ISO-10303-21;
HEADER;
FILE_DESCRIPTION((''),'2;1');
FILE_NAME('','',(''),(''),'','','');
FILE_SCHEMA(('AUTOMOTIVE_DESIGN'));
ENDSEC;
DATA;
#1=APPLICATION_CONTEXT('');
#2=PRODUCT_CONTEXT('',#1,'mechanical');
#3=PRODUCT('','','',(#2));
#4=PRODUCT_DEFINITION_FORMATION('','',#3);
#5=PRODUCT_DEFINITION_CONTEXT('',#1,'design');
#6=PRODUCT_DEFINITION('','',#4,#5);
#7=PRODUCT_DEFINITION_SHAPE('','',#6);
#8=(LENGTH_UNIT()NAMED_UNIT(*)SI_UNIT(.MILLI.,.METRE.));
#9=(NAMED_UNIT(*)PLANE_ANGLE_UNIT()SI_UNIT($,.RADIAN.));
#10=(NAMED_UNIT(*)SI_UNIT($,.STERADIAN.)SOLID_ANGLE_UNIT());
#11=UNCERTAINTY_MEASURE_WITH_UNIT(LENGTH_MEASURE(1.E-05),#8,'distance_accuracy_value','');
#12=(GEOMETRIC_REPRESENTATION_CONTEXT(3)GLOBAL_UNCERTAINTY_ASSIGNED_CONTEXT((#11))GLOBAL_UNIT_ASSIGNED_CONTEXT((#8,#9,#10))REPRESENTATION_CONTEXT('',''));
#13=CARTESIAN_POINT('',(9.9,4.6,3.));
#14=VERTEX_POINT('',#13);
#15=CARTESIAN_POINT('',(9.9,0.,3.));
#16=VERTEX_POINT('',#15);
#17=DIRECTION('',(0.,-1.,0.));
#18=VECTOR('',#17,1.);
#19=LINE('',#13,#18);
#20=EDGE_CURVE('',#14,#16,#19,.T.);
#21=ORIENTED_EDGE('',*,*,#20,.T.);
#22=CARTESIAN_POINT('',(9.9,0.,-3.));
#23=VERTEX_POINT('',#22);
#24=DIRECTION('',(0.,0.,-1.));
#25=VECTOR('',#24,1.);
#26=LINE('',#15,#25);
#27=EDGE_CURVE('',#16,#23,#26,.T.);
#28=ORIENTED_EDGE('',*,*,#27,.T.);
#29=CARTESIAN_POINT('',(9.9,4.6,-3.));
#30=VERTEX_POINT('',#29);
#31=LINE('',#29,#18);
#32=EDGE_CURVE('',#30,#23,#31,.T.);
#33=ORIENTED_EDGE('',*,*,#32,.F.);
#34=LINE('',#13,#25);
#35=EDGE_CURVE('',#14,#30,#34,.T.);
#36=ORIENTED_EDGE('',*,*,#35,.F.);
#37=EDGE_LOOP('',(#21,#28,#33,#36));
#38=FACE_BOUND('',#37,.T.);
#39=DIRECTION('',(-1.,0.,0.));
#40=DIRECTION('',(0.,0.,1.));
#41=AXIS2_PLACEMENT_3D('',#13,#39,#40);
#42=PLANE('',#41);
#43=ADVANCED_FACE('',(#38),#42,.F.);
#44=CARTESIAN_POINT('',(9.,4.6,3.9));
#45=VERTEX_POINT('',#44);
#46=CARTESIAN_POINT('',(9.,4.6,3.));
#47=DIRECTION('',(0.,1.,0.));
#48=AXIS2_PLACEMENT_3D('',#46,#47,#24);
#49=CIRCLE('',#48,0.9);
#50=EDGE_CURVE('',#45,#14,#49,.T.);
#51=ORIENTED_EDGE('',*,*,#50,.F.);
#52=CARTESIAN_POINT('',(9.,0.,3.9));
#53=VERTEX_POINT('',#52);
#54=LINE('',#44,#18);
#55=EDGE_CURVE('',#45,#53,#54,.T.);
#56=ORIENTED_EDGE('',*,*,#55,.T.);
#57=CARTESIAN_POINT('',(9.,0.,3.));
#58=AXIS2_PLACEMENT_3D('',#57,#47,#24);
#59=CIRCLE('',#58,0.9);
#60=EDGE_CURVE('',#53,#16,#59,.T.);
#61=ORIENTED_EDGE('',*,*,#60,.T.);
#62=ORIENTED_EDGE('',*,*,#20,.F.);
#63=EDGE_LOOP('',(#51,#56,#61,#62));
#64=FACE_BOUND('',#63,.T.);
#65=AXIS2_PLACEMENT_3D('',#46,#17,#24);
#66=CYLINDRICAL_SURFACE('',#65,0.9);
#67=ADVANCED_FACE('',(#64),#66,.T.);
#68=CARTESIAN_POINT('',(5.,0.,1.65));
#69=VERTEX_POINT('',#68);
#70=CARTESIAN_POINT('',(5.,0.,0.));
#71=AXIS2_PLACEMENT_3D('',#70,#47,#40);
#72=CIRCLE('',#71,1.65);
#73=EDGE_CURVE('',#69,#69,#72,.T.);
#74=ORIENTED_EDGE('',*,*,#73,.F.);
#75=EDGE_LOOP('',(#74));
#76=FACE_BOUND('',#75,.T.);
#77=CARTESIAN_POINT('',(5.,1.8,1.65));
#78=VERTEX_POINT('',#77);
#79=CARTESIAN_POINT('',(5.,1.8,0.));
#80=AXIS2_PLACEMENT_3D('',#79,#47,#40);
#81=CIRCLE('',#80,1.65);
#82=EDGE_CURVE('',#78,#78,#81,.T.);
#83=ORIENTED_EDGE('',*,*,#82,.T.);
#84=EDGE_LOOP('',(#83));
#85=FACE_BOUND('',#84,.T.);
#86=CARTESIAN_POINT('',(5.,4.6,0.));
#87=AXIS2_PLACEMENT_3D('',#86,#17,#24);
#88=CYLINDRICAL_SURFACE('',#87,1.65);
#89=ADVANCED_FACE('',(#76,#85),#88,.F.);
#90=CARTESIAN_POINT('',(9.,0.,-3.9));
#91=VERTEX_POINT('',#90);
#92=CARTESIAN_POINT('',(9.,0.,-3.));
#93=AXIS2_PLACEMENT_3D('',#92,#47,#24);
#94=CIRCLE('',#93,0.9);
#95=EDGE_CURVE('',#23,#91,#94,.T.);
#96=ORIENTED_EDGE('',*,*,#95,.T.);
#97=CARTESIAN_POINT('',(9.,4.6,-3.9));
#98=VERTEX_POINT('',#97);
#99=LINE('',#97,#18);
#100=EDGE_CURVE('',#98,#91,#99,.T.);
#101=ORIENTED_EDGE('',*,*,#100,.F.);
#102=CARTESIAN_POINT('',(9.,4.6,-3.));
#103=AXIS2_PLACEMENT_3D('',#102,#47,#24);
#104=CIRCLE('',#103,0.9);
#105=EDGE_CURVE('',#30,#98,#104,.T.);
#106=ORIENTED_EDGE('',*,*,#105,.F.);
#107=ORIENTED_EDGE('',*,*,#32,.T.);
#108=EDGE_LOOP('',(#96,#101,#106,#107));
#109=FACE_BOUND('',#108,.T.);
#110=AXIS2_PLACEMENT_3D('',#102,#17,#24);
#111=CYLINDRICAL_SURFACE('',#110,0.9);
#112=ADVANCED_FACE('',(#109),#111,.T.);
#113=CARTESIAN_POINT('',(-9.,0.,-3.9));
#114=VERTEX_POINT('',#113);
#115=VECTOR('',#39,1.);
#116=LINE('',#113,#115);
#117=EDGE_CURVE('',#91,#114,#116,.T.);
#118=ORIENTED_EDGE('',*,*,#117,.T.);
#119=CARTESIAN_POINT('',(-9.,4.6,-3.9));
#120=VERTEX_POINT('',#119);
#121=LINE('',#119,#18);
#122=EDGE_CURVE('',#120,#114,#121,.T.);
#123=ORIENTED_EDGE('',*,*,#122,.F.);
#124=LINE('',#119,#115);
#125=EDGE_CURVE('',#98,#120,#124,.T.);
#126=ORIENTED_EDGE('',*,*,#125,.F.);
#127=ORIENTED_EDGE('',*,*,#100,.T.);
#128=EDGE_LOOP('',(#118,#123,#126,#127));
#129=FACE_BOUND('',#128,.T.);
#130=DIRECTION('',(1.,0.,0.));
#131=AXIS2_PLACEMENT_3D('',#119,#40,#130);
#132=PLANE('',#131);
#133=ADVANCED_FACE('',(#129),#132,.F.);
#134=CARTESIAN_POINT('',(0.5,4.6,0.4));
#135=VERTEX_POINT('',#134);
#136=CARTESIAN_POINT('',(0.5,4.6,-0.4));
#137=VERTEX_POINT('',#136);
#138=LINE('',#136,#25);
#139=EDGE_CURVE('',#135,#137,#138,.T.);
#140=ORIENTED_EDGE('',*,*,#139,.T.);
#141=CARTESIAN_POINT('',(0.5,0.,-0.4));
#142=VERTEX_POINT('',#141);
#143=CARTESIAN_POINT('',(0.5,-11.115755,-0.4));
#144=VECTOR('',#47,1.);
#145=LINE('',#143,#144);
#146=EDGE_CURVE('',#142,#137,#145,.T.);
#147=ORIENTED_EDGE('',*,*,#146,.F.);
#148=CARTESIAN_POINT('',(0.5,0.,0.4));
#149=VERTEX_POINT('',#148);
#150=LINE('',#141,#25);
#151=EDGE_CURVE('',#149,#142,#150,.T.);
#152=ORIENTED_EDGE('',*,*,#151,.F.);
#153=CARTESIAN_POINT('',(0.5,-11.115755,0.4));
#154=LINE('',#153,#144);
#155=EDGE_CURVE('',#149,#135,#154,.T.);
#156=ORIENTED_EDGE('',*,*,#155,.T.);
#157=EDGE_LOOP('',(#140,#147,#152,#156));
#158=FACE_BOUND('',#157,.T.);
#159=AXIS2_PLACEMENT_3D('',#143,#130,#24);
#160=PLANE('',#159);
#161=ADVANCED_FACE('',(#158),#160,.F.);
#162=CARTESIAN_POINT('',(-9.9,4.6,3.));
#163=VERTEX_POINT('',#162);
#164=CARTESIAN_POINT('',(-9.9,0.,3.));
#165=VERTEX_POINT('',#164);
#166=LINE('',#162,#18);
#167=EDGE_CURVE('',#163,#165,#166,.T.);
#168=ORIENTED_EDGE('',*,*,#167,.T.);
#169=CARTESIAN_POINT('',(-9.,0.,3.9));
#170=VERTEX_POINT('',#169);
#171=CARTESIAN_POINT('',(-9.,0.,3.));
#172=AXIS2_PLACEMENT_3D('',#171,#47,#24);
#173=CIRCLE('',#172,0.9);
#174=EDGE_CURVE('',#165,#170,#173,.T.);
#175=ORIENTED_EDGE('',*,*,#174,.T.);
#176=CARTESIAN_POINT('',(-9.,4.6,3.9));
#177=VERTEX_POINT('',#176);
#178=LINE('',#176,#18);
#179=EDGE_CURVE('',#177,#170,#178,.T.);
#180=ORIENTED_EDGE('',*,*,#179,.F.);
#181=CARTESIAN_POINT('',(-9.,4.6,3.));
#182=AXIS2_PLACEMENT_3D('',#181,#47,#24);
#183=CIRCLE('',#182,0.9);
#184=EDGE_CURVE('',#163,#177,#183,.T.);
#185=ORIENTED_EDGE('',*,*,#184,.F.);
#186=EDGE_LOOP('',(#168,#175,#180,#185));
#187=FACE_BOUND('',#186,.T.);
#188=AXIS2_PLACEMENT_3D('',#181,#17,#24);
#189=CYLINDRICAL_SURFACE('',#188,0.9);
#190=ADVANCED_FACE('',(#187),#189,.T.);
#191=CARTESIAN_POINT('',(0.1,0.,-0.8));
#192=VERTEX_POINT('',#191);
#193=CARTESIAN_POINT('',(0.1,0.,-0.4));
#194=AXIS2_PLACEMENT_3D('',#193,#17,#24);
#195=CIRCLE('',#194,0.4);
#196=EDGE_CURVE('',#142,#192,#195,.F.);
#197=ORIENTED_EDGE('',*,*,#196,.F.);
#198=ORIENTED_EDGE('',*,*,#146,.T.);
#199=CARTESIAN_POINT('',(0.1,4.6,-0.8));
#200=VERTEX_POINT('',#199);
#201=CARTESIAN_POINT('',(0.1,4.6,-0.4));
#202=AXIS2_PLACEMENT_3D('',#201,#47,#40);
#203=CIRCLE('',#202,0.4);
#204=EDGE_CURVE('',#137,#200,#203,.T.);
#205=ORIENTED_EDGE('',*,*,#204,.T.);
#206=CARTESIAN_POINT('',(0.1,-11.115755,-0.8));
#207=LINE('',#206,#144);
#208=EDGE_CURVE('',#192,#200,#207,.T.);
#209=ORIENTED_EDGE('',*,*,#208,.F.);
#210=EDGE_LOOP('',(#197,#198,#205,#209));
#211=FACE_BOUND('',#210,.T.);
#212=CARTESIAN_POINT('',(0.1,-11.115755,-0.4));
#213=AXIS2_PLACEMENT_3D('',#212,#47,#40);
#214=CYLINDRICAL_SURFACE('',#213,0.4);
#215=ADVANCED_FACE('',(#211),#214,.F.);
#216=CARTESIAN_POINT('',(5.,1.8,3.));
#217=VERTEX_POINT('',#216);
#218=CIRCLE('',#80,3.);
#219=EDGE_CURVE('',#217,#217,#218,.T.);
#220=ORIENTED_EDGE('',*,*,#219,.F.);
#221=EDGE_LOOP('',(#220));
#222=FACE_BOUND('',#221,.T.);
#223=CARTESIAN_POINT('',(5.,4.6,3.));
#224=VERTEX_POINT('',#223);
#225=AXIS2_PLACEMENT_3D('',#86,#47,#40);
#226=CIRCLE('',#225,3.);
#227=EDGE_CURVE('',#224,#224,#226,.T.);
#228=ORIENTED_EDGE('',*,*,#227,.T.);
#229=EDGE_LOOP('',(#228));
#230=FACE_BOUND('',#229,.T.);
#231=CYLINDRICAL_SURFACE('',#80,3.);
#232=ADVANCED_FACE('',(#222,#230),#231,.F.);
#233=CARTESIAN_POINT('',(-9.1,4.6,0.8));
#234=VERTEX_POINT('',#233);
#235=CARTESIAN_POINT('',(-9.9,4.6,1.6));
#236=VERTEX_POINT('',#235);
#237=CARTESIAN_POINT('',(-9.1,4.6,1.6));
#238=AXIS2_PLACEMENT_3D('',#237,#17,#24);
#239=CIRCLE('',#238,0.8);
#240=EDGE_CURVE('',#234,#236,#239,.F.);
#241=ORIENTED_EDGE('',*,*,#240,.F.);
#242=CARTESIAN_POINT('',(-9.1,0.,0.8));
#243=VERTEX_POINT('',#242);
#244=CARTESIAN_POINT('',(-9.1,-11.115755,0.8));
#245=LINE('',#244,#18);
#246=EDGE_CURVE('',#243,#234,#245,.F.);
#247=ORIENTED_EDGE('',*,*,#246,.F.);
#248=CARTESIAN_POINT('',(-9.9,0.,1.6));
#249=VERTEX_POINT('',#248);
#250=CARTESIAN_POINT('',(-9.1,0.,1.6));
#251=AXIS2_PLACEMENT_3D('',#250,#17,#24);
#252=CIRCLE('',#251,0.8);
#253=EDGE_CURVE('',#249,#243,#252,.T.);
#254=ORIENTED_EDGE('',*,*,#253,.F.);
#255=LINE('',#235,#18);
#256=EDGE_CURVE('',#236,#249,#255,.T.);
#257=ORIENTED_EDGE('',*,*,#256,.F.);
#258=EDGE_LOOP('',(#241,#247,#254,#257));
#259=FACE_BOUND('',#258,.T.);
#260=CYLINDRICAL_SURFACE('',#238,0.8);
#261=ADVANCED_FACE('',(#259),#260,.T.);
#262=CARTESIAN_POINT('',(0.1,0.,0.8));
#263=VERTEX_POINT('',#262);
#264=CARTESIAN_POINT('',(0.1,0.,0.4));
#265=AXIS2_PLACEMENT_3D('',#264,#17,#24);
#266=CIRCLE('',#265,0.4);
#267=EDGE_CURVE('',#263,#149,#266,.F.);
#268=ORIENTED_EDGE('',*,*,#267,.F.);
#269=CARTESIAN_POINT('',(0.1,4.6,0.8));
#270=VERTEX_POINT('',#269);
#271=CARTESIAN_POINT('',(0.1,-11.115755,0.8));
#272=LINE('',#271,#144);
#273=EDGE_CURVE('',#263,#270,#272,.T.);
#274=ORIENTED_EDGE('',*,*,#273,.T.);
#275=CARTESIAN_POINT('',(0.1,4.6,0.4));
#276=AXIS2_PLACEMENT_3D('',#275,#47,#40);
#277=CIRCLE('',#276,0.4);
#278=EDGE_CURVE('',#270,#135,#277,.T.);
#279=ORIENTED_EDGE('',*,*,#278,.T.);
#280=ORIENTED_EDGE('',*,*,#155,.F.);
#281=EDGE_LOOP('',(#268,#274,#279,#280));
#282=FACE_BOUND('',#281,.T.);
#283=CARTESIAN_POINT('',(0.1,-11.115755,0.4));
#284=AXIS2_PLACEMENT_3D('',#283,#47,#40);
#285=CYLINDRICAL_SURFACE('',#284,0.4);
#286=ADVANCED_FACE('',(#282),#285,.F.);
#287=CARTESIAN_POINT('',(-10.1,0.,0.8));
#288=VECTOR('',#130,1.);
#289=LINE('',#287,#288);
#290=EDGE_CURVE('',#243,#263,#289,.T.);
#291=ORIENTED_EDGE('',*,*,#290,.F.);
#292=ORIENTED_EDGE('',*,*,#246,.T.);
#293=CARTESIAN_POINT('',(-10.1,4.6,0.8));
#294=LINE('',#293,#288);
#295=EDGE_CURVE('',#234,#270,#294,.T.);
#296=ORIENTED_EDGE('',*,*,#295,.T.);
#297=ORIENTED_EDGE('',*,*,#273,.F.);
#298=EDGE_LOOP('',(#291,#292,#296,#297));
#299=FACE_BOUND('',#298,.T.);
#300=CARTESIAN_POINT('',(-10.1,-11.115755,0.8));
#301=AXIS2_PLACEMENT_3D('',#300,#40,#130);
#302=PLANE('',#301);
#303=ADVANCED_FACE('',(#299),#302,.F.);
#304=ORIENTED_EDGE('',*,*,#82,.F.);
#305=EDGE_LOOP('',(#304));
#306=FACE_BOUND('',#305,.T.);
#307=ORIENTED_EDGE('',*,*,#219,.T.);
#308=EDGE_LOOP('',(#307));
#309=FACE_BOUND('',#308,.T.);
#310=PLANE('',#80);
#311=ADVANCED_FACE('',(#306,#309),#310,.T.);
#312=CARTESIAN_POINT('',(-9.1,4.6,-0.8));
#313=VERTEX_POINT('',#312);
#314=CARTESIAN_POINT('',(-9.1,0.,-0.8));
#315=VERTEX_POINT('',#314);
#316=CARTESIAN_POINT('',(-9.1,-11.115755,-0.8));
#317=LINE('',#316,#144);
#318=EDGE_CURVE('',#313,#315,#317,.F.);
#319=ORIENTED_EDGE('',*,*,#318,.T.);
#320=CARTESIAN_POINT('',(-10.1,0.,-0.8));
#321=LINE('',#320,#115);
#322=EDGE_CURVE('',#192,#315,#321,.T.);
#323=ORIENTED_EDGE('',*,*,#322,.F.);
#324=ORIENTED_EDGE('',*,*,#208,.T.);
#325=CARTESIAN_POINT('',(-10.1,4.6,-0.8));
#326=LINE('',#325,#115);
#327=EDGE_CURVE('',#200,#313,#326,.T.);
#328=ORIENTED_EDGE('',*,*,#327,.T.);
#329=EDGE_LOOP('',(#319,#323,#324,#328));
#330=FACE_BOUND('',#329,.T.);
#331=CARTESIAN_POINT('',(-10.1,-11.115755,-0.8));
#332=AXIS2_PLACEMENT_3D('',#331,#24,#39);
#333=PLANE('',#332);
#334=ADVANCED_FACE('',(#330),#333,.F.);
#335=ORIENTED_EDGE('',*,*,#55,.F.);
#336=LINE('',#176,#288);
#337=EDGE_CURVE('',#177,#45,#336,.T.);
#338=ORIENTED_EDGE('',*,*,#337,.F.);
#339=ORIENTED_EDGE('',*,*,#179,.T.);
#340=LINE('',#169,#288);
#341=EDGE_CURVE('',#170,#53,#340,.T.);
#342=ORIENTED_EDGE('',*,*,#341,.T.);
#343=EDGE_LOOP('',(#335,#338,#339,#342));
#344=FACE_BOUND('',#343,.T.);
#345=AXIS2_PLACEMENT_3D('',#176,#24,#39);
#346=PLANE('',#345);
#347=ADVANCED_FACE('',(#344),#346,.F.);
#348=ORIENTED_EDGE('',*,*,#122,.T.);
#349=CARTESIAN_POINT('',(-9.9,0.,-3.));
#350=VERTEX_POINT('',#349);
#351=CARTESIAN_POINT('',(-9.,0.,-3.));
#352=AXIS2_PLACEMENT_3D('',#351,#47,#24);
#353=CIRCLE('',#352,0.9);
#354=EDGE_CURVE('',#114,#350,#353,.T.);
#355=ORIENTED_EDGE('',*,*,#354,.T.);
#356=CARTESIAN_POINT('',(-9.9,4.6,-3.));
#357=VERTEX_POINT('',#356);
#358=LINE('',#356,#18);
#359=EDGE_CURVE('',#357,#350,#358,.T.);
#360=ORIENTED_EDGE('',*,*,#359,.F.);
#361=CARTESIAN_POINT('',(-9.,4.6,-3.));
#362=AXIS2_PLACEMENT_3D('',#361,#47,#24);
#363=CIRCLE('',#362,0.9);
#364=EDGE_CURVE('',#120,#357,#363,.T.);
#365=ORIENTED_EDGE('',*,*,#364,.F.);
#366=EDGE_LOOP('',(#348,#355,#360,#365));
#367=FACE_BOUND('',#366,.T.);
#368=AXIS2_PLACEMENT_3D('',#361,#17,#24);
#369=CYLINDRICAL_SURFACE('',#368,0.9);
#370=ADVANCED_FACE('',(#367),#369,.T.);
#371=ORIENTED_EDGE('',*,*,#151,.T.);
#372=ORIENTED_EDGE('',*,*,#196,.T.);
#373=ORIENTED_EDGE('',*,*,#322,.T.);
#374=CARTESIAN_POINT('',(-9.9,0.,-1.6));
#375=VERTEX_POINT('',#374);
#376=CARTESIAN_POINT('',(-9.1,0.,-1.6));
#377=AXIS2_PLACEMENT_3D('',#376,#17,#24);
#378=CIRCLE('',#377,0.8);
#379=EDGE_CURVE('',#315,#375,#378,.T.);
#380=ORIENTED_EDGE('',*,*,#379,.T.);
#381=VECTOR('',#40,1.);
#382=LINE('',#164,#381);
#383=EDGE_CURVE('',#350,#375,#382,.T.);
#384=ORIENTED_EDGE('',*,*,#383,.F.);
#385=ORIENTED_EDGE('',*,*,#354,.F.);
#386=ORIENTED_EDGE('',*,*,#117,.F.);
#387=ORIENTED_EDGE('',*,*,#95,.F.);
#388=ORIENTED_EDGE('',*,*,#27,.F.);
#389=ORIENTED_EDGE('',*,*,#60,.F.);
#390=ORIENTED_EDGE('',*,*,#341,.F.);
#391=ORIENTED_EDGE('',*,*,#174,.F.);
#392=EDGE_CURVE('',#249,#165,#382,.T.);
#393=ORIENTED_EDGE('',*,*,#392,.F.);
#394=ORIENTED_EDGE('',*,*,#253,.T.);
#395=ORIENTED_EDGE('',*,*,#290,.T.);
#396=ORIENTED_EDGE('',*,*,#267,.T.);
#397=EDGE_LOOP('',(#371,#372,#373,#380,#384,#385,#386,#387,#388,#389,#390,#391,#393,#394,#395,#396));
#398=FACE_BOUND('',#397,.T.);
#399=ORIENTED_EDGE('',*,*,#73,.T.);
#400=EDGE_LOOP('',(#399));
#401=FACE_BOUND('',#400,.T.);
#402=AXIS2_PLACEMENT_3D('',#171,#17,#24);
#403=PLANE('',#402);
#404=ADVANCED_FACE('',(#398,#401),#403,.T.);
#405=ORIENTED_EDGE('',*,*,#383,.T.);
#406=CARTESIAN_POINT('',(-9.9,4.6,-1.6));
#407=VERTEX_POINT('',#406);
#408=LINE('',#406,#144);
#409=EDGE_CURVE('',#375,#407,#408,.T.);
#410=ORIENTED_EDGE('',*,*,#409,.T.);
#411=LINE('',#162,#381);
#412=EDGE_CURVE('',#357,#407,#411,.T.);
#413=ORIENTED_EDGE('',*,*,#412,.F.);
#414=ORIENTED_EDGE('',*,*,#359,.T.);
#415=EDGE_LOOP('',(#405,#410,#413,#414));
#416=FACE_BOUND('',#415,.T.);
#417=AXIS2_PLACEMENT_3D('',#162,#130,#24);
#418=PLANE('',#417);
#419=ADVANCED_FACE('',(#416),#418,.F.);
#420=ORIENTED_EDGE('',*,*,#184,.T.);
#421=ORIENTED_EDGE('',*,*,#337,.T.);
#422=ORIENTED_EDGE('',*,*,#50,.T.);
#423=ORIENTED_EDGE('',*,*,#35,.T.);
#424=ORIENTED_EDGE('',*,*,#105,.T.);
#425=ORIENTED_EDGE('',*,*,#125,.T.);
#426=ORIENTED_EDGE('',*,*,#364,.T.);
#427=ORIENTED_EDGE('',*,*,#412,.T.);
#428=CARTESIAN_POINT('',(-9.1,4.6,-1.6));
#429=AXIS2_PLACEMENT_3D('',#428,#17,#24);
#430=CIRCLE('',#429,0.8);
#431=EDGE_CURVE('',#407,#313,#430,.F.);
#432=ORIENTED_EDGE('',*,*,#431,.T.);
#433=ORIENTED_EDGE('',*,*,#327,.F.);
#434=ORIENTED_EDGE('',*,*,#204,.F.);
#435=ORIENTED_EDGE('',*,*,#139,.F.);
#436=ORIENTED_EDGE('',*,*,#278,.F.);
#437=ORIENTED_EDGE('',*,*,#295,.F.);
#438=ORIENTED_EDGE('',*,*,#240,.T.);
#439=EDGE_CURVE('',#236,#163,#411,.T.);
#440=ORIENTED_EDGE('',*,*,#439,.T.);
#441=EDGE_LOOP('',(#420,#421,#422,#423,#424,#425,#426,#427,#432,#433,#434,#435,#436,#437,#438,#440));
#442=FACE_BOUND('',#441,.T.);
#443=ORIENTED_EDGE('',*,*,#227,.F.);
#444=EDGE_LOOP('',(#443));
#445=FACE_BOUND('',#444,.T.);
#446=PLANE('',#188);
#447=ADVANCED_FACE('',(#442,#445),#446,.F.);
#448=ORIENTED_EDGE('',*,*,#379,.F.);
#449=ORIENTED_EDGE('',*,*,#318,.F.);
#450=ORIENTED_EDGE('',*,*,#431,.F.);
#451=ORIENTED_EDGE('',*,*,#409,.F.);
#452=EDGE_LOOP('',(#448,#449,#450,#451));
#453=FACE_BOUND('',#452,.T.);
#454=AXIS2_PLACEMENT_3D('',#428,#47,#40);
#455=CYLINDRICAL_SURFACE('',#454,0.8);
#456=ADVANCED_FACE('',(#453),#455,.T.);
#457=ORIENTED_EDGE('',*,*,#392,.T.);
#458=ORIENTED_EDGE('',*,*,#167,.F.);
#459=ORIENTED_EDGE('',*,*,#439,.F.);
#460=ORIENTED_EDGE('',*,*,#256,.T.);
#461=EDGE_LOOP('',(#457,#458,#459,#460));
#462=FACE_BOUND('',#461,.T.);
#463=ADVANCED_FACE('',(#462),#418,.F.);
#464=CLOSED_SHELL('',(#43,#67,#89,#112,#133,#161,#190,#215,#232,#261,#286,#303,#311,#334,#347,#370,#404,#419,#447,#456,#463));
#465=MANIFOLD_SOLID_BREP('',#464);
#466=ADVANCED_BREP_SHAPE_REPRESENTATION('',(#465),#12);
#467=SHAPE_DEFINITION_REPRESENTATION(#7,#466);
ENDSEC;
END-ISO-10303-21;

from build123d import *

# Parameters (mm, degrees)
SKETCH_1_R          = 1.65
EXTRUDE_1_DEPTH     = 4.6
CUT_EXTRUDE_1_DEPTH = 4.6
FILLET_1_R          = 0.8
SKETCH_3_R          = 3
CUT_EXTRUDE_2_DEPTH = 2.8


with BuildPart() as part:
    # 草图1 → 凸台-拉伸1 (new body)
    with BuildSketch(Plane(origin=(0, 0, 0), x_dir=(1, 0, 0), z_dir=(0, 1, 0))):
        with BuildLine():
            Line((-9.9, -3), (-9.9, 3))
            ThreePointArc((-9.9, 3), (-9.636396103, 3.636396103), (-9, 3.9))
            Line((-9, 3.9), (9, 3.9))
            ThreePointArc((9, 3.9), (9.636396103, 3.636396103), (9.9, 3))
            Line((9.9, 3), (9.9, -3))
            ThreePointArc((9.9, -3), (9.636396103, -3.636396103), (9, -3.9))
            Line((9, -3.9), (-9, -3.9))
            ThreePointArc((-9, -3.9), (-9.636396103, -3.636396103), (-9.9, -3))
        make_face()
        with Locations(Location((5, 0, 0), (0, 0, 270))):
            Circle(SKETCH_1_R, mode=Mode.SUBTRACT)
    extrude(amount=EXTRUDE_1_DEPTH)

    # 草图2 → 切除-拉伸1 (cut)
    with BuildSketch(Plane(origin=(0, 4.6, 0), x_dir=(1, 0, 0), z_dir=(0, 1, 0))):
        with BuildLine():
            Line((-10.1, 0.8), (0.1, 0.8))
            ThreePointArc((0.1, 0.8), (0.382842712, 0.682842712), (0.5, 0.4))
            Line((0.5, 0.4), (0.5, -0.4))
            ThreePointArc((0.5, -0.4), (0.382842712, -0.682842712), (0.1, -0.8))
            Line((0.1, -0.8), (-10.1, -0.8))
            ThreePointArc((-10.1, -0.8), (-10.382842712, -0.682842712), (-10.5, -0.4))
            Line((-10.5, -0.4), (-10.5, 0.4))
            ThreePointArc((-10.5, 0.4), (-10.382842712, 0.682842712), (-10.1, 0.8))
        make_face()
    extrude(amount=-CUT_EXTRUDE_1_DEPTH, mode=Mode.SUBTRACT)

    # 圆角1
    fillet_1_edges = [part.edges().sort_by_distance(p)[0] for p in [
        (-9.9, 2.3, 0.8),
        (-9.9, 2.3, -0.8),
    ]]
    fillet(fillet_1_edges, radius=FILLET_1_R)

    # 草图3 → 切除-拉伸2 (cut)
    with BuildSketch(Plane(origin=(0, 4.6, 0), x_dir=(1, 0, 0), z_dir=(0, 1, 0))):
        with Locations(Location((5, 0, 0), (0, 0, 270))):
            Circle(SKETCH_3_R)
    extrude(amount=-CUT_EXTRUDE_2_DEPTH, mode=Mode.SUBTRACT)


solid = part.part
